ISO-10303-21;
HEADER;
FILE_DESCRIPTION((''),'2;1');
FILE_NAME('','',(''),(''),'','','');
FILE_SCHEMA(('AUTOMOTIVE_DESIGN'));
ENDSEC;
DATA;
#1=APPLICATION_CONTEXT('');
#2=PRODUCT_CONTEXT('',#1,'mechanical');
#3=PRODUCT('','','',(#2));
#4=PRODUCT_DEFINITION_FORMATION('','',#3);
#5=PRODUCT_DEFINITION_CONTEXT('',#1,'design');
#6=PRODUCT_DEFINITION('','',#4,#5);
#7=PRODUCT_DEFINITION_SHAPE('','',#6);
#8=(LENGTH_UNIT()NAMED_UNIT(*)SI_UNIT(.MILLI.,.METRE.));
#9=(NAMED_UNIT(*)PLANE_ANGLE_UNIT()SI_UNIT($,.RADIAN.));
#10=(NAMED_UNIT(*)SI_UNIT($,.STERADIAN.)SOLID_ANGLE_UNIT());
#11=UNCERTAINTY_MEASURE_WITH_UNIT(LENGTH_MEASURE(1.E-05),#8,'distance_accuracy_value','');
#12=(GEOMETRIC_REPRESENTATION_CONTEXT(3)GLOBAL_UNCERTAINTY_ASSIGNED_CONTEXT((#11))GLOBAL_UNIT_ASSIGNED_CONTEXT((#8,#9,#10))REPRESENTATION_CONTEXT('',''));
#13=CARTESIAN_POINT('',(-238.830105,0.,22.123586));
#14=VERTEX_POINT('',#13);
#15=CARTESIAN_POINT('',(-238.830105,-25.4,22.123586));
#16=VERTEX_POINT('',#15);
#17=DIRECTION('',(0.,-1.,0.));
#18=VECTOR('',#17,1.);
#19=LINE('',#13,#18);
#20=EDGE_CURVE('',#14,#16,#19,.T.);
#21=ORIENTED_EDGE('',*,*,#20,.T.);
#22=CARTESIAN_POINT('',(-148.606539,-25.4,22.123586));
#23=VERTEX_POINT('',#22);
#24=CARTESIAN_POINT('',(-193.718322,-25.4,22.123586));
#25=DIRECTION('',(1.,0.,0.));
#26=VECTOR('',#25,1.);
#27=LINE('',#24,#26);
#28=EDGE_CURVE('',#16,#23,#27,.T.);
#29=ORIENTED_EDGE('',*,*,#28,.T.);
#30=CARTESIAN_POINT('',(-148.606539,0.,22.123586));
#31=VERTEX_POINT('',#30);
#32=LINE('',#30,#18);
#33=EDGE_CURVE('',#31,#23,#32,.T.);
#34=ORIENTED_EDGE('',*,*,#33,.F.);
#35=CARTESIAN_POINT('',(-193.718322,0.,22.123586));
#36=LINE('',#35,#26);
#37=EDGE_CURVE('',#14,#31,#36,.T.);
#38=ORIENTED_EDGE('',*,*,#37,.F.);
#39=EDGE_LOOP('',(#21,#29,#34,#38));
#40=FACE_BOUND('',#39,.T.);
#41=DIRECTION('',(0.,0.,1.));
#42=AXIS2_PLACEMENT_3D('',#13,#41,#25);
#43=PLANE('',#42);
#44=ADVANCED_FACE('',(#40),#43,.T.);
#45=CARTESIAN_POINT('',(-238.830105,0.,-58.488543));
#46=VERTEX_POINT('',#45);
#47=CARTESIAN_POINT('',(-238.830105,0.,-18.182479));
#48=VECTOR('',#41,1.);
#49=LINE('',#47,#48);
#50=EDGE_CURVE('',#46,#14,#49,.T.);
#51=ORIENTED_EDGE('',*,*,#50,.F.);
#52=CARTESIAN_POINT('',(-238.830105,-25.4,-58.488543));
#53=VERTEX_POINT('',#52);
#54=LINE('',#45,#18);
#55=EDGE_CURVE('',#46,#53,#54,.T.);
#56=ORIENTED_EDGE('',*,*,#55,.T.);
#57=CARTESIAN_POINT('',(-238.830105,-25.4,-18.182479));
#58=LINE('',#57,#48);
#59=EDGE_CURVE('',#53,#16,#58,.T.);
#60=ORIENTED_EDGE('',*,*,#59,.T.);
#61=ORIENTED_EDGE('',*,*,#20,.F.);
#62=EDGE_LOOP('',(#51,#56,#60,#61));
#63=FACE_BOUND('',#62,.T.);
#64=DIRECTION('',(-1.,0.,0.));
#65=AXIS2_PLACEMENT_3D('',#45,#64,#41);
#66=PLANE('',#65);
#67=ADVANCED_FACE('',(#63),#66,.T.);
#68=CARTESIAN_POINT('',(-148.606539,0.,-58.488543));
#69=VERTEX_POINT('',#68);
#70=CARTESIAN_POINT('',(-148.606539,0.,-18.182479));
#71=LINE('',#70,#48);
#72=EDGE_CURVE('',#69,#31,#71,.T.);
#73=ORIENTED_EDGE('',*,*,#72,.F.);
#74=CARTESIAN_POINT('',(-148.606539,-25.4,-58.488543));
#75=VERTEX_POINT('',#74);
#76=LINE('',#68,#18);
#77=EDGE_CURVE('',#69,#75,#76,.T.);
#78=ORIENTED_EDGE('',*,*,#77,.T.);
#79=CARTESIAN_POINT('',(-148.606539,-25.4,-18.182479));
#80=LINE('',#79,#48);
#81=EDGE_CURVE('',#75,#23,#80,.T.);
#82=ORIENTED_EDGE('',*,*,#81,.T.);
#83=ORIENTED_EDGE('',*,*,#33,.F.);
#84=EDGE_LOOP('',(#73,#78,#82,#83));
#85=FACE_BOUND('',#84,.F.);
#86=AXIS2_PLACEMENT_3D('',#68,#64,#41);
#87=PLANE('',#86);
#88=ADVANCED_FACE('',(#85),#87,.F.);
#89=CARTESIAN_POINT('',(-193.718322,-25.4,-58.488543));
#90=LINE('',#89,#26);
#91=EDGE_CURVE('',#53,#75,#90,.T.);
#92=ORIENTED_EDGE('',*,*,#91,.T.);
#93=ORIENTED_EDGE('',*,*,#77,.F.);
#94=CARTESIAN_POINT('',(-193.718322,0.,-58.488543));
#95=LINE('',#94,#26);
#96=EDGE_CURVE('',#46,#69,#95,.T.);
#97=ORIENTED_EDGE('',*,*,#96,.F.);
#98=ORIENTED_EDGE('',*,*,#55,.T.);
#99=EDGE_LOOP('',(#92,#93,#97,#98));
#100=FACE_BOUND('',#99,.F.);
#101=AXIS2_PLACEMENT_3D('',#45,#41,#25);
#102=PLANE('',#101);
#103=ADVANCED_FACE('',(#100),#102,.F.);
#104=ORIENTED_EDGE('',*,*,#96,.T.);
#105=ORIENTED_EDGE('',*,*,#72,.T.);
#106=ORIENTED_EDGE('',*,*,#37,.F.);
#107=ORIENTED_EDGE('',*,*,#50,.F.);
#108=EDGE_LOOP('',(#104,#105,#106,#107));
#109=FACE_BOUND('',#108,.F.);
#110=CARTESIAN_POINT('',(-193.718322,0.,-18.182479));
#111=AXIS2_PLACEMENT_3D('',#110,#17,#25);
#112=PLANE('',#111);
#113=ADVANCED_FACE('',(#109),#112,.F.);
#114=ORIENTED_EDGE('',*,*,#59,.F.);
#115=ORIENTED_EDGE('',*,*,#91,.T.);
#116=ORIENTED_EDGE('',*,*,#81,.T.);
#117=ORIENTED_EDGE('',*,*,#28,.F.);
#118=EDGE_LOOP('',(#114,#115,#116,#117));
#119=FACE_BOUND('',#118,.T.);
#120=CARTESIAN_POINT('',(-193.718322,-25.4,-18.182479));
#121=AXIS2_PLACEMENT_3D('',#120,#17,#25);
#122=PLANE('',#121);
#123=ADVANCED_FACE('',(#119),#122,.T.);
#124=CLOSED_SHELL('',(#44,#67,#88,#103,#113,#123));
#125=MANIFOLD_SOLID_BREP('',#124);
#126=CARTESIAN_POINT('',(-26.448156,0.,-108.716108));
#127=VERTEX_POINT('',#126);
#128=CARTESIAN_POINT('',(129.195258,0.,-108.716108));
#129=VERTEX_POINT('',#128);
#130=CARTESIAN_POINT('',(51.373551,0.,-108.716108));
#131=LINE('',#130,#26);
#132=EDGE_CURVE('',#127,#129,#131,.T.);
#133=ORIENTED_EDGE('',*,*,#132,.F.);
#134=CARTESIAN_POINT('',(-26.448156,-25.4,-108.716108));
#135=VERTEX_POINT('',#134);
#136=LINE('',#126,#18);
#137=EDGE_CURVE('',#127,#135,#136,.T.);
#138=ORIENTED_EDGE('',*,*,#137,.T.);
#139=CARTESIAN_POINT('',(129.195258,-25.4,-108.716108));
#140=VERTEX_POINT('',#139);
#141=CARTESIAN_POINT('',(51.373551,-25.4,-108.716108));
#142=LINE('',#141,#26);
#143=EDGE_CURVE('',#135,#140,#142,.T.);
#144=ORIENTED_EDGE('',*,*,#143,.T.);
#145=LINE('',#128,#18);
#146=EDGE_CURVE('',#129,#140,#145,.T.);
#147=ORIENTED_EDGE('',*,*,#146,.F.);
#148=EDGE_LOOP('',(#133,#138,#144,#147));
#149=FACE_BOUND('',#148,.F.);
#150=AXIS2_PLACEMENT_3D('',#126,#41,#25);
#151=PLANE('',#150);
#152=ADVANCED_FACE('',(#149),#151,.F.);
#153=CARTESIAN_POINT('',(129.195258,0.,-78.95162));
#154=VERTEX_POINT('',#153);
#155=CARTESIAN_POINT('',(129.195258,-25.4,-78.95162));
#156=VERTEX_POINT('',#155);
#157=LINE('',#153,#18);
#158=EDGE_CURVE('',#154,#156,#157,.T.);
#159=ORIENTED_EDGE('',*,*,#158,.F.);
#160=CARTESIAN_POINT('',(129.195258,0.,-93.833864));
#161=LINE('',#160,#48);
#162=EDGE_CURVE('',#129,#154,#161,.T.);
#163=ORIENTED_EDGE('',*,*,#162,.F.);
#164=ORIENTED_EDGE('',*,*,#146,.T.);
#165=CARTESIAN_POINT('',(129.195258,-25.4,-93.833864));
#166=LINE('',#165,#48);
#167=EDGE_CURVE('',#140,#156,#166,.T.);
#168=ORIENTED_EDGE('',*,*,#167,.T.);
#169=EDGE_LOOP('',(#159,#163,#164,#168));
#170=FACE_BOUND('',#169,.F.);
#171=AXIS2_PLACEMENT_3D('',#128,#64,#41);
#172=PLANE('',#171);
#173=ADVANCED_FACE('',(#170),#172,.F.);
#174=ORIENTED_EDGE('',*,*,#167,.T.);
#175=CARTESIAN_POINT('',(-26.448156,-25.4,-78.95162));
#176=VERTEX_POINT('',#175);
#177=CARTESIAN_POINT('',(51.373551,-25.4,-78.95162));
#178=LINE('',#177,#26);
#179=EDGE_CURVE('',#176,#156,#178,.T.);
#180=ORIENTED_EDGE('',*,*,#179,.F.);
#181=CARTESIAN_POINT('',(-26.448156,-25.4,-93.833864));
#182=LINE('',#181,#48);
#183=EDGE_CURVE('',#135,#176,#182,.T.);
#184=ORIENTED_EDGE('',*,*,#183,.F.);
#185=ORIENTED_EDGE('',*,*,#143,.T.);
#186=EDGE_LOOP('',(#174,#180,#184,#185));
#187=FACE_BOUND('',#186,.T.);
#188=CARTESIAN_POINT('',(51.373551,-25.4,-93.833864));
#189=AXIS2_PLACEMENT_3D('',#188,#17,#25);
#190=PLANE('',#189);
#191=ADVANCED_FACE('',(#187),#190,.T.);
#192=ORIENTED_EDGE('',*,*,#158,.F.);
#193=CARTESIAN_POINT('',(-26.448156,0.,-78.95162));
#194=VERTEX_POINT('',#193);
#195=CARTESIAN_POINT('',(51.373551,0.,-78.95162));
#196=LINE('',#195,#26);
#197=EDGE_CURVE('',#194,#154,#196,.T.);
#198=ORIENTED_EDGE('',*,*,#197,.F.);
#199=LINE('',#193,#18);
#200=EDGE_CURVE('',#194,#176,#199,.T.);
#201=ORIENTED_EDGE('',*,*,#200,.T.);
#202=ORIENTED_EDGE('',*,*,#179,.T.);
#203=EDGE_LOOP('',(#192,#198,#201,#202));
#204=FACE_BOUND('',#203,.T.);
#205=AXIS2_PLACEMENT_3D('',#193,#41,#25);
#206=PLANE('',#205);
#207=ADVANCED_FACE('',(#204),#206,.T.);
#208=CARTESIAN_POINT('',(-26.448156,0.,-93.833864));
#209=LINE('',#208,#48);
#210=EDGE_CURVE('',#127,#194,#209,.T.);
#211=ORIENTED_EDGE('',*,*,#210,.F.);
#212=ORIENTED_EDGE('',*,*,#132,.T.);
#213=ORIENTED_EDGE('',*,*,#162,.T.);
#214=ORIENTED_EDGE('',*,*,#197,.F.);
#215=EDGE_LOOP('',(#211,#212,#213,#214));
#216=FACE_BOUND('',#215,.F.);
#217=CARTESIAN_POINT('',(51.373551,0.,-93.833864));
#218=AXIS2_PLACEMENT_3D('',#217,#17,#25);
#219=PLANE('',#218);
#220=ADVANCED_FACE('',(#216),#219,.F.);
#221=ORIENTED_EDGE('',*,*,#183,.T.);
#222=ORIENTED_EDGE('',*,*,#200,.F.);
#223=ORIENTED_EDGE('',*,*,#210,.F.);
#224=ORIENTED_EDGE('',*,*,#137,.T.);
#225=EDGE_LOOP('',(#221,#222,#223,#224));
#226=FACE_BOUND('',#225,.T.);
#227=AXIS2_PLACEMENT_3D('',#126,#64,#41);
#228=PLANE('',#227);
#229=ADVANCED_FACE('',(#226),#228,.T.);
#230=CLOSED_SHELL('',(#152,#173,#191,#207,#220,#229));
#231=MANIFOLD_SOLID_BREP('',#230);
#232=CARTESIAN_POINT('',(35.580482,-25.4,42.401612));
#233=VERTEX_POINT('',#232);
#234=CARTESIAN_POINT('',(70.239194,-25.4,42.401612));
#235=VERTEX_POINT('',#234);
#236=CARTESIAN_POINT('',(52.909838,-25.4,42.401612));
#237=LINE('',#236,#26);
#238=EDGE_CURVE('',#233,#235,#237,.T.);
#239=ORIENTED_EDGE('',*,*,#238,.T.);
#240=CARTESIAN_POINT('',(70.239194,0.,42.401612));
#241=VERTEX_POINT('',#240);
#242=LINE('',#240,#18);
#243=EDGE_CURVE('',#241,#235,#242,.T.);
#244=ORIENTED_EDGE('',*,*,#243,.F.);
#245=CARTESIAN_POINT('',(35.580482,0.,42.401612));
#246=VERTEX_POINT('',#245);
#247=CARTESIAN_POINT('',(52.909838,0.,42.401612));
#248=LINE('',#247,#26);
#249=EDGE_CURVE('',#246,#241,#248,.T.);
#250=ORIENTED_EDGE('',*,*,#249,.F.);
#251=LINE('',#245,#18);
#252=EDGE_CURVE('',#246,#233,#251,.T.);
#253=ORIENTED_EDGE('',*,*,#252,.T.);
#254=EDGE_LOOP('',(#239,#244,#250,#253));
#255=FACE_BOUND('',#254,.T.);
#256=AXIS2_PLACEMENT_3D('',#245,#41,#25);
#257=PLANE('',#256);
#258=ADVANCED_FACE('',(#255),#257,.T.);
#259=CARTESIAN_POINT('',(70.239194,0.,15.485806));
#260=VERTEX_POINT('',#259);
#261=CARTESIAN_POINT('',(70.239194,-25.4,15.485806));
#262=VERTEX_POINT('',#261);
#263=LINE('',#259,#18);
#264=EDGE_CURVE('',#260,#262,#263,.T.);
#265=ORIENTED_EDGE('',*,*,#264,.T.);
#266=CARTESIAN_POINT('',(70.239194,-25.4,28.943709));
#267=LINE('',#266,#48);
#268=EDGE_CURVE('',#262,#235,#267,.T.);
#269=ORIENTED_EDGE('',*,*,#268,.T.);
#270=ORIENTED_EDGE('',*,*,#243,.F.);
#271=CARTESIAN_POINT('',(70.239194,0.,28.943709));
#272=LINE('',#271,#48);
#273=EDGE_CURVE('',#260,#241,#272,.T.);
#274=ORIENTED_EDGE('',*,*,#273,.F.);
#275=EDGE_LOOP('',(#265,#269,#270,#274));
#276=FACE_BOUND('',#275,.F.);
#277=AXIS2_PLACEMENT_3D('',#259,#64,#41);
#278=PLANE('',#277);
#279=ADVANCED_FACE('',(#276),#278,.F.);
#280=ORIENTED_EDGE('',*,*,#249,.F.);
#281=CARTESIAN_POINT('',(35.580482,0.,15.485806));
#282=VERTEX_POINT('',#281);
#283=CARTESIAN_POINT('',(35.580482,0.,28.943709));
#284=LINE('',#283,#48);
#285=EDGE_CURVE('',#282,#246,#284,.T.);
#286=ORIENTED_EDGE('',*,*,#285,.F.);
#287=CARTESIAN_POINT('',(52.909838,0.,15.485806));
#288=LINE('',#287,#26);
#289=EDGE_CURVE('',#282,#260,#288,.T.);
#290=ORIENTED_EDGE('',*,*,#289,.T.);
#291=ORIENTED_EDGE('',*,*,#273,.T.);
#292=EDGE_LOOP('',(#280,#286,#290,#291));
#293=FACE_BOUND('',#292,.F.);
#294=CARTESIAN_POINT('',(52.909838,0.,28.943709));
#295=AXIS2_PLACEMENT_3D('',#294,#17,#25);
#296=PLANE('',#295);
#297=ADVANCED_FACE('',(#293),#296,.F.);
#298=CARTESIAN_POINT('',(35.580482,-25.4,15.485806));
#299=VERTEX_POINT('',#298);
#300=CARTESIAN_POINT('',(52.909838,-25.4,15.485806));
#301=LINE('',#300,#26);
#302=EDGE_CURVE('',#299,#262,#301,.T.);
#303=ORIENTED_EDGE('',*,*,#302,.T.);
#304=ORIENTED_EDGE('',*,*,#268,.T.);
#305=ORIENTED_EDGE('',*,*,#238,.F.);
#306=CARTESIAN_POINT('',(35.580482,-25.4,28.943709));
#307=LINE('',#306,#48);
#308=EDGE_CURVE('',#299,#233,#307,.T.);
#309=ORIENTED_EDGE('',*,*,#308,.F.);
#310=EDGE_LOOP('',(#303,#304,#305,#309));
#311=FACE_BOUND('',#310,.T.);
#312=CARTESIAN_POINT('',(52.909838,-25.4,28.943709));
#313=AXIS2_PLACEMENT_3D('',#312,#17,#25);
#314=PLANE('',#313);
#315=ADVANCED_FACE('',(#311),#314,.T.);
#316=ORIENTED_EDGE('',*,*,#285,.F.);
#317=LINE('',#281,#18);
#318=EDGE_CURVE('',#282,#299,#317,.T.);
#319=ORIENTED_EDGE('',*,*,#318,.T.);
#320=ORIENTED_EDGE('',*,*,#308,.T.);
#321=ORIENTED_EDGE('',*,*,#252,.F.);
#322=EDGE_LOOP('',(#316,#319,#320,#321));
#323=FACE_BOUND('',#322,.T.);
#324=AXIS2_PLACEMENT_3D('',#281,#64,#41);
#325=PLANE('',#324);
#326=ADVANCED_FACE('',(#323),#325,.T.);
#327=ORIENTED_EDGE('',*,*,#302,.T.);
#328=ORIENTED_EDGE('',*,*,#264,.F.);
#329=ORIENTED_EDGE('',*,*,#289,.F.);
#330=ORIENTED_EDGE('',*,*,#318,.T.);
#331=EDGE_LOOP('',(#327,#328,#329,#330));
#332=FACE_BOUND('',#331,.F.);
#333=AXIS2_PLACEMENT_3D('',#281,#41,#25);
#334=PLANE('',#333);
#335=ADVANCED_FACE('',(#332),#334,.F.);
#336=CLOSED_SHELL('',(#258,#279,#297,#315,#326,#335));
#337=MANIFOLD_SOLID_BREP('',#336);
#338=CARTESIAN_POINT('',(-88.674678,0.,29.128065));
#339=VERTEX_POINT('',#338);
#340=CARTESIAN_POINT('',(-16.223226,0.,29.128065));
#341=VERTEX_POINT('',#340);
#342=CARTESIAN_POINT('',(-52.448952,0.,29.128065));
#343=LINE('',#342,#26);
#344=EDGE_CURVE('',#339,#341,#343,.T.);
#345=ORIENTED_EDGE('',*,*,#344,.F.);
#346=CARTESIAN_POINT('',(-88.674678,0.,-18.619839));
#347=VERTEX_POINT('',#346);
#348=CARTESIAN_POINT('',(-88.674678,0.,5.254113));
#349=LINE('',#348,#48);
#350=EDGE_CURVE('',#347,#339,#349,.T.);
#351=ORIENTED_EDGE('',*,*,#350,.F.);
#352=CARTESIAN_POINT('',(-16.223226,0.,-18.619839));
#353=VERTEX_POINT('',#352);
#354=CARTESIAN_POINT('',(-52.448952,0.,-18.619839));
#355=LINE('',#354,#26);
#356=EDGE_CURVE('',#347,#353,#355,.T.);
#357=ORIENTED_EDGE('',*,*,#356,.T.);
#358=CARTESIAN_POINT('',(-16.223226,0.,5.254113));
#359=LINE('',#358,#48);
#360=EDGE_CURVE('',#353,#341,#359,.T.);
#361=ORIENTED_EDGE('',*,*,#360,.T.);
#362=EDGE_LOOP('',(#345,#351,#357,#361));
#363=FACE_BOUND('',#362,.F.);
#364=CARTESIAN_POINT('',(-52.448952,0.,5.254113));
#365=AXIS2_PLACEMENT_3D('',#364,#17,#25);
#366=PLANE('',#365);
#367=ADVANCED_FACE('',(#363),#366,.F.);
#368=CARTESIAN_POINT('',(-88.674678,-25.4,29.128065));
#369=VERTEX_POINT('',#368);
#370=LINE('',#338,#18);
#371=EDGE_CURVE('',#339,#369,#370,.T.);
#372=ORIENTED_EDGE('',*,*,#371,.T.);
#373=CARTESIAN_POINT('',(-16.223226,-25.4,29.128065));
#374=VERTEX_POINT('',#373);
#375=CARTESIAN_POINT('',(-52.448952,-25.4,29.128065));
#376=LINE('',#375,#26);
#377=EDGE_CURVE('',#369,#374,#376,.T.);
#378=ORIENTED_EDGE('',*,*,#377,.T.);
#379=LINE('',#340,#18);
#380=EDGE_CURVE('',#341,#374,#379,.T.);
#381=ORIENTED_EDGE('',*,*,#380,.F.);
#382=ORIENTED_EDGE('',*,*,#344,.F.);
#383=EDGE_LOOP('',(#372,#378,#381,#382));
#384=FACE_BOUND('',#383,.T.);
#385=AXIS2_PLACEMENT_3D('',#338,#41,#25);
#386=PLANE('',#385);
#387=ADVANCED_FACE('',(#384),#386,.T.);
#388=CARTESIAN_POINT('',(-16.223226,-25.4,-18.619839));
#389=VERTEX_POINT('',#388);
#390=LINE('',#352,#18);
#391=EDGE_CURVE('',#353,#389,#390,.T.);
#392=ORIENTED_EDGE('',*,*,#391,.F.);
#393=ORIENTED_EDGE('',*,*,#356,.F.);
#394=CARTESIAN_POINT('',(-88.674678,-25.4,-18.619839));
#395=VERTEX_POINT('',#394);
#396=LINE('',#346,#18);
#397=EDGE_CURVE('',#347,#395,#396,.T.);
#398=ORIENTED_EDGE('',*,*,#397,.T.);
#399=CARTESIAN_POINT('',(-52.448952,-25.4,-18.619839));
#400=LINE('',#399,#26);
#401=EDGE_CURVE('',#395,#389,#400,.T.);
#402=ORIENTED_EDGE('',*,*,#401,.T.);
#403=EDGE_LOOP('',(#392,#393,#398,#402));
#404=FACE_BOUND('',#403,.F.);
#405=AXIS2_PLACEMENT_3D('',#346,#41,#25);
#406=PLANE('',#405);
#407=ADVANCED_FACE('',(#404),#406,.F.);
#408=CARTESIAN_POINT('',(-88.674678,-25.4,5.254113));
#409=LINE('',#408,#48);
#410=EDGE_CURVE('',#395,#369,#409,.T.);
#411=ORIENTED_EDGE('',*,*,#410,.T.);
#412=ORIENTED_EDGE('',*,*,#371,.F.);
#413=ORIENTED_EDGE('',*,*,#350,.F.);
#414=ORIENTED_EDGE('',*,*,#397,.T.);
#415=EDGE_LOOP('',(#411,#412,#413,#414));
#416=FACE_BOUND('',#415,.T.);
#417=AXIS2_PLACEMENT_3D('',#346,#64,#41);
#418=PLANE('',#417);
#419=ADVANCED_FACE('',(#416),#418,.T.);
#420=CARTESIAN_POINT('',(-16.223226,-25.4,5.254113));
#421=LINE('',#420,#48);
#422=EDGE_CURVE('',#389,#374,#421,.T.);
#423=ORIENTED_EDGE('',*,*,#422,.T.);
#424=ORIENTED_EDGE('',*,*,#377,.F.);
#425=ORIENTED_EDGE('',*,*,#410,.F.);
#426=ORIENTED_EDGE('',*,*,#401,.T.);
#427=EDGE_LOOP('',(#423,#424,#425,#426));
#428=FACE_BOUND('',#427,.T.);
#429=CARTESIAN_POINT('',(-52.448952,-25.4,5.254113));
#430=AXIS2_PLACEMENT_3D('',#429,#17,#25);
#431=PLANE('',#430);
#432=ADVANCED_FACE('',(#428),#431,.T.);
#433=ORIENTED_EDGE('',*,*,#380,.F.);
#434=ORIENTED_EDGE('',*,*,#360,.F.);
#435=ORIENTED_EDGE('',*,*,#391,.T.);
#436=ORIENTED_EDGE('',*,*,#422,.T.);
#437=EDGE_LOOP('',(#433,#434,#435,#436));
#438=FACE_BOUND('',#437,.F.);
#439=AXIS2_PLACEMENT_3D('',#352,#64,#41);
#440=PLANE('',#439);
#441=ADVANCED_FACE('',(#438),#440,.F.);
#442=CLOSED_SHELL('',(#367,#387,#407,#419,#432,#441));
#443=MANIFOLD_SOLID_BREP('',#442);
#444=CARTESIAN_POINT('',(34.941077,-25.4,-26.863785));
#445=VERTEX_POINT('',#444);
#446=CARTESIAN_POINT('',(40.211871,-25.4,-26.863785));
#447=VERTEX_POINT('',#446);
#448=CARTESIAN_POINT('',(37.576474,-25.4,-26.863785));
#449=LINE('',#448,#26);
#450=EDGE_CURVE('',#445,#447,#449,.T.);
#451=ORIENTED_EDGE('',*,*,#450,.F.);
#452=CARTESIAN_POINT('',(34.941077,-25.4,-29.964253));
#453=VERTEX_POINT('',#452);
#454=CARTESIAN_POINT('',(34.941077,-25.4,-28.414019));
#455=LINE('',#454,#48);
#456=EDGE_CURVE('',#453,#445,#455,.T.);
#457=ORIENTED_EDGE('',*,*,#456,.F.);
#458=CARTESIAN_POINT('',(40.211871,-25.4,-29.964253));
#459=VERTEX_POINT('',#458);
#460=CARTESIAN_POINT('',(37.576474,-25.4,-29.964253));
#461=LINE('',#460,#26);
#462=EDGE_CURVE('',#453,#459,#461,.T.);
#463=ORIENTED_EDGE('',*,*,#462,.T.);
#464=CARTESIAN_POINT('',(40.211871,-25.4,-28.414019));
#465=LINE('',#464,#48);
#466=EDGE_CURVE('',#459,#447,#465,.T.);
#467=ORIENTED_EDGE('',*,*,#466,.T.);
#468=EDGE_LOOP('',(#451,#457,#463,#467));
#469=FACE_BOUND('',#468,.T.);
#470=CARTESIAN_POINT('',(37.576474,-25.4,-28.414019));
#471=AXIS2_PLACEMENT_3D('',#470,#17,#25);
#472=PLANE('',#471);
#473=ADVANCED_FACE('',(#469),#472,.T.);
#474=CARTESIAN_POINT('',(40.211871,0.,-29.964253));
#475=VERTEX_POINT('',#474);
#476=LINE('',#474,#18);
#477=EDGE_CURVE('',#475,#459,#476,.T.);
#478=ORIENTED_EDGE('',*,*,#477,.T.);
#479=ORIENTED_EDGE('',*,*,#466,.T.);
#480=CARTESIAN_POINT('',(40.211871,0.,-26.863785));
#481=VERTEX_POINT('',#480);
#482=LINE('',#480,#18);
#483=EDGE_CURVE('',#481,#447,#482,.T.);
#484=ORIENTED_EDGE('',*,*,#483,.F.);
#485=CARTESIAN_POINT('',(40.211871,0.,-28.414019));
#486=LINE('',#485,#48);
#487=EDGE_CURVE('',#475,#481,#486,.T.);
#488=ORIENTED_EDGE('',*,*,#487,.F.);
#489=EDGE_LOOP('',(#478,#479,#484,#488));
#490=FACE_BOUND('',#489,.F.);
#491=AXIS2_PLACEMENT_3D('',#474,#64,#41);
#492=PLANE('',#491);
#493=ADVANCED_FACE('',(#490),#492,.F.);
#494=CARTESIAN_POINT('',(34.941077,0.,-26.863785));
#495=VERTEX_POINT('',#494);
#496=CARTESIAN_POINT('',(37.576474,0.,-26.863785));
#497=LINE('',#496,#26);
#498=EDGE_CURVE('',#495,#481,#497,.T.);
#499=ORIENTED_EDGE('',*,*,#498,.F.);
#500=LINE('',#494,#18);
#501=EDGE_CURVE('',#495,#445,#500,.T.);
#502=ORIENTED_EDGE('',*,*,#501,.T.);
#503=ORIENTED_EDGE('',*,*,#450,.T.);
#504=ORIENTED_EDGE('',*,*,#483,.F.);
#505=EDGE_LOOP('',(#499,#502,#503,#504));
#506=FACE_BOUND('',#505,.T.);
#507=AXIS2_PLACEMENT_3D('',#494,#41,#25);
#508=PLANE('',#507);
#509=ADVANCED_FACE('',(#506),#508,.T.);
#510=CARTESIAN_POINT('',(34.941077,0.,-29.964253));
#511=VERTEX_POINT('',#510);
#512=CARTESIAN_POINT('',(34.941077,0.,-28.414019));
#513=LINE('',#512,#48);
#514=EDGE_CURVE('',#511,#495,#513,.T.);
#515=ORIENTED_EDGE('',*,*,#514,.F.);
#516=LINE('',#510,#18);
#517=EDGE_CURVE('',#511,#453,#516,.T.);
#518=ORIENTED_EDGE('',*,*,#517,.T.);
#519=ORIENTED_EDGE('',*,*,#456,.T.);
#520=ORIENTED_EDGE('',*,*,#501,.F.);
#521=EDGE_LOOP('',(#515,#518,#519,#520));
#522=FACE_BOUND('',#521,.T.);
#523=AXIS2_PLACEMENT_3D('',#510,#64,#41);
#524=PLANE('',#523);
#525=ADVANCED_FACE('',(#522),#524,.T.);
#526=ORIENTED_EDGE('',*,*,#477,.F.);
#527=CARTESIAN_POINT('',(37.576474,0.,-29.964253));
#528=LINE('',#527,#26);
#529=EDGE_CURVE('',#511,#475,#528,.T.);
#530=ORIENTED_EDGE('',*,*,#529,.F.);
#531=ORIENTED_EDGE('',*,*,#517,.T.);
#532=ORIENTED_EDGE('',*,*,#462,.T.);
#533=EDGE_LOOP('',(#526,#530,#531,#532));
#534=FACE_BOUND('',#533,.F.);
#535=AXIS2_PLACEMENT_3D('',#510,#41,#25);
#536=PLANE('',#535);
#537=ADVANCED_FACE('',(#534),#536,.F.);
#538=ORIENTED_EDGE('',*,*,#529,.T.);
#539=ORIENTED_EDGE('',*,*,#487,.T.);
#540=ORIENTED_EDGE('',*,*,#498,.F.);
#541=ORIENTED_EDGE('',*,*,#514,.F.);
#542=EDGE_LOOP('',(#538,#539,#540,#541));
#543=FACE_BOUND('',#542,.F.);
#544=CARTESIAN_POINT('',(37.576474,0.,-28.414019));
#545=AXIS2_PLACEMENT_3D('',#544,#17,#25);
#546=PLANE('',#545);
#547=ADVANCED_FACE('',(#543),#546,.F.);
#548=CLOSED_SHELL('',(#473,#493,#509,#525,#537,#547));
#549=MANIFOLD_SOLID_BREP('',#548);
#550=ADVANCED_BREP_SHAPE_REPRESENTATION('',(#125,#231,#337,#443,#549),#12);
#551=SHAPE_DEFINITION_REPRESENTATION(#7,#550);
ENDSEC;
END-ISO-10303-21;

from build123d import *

# Parameters (mm, degrees)
F0_W     = 72.451453
F0_H     = 47.747904
F0_W_2   = 34.658712
F0_H_2   = 26.915806
F0_W_3   = 90.223565
F0_H_3   = 80.612129
F0_W_4   = 5.270794
F0_H_4   = 3.100468
F0_W_5   = 155.643415
F0_H_5   = 29.764488
F1_DEPTH = 25.4


with BuildPart() as f1:
    # F0 (on Front) → F1 (new body)
    with BuildSketch(Plane.XZ):
        with Locations((-52.448952, 5.254113)):
            Rectangle(F0_W, F0_H)
        with Locations((52.909838, 28.943709)):
            Rectangle(F0_W_2, F0_H_2)
        with Locations((-193.718322, -18.182479)):
            Rectangle(F0_W_3, F0_H_3)
        with Locations((37.576474, -28.414019)):
            Rectangle(F0_W_4, F0_H_4)
        with Locations((51.373551, -93.833864)):
            Rectangle(F0_W_5, F0_H_5)
    extrude(amount=F1_DEPTH)


solid = f1.part
